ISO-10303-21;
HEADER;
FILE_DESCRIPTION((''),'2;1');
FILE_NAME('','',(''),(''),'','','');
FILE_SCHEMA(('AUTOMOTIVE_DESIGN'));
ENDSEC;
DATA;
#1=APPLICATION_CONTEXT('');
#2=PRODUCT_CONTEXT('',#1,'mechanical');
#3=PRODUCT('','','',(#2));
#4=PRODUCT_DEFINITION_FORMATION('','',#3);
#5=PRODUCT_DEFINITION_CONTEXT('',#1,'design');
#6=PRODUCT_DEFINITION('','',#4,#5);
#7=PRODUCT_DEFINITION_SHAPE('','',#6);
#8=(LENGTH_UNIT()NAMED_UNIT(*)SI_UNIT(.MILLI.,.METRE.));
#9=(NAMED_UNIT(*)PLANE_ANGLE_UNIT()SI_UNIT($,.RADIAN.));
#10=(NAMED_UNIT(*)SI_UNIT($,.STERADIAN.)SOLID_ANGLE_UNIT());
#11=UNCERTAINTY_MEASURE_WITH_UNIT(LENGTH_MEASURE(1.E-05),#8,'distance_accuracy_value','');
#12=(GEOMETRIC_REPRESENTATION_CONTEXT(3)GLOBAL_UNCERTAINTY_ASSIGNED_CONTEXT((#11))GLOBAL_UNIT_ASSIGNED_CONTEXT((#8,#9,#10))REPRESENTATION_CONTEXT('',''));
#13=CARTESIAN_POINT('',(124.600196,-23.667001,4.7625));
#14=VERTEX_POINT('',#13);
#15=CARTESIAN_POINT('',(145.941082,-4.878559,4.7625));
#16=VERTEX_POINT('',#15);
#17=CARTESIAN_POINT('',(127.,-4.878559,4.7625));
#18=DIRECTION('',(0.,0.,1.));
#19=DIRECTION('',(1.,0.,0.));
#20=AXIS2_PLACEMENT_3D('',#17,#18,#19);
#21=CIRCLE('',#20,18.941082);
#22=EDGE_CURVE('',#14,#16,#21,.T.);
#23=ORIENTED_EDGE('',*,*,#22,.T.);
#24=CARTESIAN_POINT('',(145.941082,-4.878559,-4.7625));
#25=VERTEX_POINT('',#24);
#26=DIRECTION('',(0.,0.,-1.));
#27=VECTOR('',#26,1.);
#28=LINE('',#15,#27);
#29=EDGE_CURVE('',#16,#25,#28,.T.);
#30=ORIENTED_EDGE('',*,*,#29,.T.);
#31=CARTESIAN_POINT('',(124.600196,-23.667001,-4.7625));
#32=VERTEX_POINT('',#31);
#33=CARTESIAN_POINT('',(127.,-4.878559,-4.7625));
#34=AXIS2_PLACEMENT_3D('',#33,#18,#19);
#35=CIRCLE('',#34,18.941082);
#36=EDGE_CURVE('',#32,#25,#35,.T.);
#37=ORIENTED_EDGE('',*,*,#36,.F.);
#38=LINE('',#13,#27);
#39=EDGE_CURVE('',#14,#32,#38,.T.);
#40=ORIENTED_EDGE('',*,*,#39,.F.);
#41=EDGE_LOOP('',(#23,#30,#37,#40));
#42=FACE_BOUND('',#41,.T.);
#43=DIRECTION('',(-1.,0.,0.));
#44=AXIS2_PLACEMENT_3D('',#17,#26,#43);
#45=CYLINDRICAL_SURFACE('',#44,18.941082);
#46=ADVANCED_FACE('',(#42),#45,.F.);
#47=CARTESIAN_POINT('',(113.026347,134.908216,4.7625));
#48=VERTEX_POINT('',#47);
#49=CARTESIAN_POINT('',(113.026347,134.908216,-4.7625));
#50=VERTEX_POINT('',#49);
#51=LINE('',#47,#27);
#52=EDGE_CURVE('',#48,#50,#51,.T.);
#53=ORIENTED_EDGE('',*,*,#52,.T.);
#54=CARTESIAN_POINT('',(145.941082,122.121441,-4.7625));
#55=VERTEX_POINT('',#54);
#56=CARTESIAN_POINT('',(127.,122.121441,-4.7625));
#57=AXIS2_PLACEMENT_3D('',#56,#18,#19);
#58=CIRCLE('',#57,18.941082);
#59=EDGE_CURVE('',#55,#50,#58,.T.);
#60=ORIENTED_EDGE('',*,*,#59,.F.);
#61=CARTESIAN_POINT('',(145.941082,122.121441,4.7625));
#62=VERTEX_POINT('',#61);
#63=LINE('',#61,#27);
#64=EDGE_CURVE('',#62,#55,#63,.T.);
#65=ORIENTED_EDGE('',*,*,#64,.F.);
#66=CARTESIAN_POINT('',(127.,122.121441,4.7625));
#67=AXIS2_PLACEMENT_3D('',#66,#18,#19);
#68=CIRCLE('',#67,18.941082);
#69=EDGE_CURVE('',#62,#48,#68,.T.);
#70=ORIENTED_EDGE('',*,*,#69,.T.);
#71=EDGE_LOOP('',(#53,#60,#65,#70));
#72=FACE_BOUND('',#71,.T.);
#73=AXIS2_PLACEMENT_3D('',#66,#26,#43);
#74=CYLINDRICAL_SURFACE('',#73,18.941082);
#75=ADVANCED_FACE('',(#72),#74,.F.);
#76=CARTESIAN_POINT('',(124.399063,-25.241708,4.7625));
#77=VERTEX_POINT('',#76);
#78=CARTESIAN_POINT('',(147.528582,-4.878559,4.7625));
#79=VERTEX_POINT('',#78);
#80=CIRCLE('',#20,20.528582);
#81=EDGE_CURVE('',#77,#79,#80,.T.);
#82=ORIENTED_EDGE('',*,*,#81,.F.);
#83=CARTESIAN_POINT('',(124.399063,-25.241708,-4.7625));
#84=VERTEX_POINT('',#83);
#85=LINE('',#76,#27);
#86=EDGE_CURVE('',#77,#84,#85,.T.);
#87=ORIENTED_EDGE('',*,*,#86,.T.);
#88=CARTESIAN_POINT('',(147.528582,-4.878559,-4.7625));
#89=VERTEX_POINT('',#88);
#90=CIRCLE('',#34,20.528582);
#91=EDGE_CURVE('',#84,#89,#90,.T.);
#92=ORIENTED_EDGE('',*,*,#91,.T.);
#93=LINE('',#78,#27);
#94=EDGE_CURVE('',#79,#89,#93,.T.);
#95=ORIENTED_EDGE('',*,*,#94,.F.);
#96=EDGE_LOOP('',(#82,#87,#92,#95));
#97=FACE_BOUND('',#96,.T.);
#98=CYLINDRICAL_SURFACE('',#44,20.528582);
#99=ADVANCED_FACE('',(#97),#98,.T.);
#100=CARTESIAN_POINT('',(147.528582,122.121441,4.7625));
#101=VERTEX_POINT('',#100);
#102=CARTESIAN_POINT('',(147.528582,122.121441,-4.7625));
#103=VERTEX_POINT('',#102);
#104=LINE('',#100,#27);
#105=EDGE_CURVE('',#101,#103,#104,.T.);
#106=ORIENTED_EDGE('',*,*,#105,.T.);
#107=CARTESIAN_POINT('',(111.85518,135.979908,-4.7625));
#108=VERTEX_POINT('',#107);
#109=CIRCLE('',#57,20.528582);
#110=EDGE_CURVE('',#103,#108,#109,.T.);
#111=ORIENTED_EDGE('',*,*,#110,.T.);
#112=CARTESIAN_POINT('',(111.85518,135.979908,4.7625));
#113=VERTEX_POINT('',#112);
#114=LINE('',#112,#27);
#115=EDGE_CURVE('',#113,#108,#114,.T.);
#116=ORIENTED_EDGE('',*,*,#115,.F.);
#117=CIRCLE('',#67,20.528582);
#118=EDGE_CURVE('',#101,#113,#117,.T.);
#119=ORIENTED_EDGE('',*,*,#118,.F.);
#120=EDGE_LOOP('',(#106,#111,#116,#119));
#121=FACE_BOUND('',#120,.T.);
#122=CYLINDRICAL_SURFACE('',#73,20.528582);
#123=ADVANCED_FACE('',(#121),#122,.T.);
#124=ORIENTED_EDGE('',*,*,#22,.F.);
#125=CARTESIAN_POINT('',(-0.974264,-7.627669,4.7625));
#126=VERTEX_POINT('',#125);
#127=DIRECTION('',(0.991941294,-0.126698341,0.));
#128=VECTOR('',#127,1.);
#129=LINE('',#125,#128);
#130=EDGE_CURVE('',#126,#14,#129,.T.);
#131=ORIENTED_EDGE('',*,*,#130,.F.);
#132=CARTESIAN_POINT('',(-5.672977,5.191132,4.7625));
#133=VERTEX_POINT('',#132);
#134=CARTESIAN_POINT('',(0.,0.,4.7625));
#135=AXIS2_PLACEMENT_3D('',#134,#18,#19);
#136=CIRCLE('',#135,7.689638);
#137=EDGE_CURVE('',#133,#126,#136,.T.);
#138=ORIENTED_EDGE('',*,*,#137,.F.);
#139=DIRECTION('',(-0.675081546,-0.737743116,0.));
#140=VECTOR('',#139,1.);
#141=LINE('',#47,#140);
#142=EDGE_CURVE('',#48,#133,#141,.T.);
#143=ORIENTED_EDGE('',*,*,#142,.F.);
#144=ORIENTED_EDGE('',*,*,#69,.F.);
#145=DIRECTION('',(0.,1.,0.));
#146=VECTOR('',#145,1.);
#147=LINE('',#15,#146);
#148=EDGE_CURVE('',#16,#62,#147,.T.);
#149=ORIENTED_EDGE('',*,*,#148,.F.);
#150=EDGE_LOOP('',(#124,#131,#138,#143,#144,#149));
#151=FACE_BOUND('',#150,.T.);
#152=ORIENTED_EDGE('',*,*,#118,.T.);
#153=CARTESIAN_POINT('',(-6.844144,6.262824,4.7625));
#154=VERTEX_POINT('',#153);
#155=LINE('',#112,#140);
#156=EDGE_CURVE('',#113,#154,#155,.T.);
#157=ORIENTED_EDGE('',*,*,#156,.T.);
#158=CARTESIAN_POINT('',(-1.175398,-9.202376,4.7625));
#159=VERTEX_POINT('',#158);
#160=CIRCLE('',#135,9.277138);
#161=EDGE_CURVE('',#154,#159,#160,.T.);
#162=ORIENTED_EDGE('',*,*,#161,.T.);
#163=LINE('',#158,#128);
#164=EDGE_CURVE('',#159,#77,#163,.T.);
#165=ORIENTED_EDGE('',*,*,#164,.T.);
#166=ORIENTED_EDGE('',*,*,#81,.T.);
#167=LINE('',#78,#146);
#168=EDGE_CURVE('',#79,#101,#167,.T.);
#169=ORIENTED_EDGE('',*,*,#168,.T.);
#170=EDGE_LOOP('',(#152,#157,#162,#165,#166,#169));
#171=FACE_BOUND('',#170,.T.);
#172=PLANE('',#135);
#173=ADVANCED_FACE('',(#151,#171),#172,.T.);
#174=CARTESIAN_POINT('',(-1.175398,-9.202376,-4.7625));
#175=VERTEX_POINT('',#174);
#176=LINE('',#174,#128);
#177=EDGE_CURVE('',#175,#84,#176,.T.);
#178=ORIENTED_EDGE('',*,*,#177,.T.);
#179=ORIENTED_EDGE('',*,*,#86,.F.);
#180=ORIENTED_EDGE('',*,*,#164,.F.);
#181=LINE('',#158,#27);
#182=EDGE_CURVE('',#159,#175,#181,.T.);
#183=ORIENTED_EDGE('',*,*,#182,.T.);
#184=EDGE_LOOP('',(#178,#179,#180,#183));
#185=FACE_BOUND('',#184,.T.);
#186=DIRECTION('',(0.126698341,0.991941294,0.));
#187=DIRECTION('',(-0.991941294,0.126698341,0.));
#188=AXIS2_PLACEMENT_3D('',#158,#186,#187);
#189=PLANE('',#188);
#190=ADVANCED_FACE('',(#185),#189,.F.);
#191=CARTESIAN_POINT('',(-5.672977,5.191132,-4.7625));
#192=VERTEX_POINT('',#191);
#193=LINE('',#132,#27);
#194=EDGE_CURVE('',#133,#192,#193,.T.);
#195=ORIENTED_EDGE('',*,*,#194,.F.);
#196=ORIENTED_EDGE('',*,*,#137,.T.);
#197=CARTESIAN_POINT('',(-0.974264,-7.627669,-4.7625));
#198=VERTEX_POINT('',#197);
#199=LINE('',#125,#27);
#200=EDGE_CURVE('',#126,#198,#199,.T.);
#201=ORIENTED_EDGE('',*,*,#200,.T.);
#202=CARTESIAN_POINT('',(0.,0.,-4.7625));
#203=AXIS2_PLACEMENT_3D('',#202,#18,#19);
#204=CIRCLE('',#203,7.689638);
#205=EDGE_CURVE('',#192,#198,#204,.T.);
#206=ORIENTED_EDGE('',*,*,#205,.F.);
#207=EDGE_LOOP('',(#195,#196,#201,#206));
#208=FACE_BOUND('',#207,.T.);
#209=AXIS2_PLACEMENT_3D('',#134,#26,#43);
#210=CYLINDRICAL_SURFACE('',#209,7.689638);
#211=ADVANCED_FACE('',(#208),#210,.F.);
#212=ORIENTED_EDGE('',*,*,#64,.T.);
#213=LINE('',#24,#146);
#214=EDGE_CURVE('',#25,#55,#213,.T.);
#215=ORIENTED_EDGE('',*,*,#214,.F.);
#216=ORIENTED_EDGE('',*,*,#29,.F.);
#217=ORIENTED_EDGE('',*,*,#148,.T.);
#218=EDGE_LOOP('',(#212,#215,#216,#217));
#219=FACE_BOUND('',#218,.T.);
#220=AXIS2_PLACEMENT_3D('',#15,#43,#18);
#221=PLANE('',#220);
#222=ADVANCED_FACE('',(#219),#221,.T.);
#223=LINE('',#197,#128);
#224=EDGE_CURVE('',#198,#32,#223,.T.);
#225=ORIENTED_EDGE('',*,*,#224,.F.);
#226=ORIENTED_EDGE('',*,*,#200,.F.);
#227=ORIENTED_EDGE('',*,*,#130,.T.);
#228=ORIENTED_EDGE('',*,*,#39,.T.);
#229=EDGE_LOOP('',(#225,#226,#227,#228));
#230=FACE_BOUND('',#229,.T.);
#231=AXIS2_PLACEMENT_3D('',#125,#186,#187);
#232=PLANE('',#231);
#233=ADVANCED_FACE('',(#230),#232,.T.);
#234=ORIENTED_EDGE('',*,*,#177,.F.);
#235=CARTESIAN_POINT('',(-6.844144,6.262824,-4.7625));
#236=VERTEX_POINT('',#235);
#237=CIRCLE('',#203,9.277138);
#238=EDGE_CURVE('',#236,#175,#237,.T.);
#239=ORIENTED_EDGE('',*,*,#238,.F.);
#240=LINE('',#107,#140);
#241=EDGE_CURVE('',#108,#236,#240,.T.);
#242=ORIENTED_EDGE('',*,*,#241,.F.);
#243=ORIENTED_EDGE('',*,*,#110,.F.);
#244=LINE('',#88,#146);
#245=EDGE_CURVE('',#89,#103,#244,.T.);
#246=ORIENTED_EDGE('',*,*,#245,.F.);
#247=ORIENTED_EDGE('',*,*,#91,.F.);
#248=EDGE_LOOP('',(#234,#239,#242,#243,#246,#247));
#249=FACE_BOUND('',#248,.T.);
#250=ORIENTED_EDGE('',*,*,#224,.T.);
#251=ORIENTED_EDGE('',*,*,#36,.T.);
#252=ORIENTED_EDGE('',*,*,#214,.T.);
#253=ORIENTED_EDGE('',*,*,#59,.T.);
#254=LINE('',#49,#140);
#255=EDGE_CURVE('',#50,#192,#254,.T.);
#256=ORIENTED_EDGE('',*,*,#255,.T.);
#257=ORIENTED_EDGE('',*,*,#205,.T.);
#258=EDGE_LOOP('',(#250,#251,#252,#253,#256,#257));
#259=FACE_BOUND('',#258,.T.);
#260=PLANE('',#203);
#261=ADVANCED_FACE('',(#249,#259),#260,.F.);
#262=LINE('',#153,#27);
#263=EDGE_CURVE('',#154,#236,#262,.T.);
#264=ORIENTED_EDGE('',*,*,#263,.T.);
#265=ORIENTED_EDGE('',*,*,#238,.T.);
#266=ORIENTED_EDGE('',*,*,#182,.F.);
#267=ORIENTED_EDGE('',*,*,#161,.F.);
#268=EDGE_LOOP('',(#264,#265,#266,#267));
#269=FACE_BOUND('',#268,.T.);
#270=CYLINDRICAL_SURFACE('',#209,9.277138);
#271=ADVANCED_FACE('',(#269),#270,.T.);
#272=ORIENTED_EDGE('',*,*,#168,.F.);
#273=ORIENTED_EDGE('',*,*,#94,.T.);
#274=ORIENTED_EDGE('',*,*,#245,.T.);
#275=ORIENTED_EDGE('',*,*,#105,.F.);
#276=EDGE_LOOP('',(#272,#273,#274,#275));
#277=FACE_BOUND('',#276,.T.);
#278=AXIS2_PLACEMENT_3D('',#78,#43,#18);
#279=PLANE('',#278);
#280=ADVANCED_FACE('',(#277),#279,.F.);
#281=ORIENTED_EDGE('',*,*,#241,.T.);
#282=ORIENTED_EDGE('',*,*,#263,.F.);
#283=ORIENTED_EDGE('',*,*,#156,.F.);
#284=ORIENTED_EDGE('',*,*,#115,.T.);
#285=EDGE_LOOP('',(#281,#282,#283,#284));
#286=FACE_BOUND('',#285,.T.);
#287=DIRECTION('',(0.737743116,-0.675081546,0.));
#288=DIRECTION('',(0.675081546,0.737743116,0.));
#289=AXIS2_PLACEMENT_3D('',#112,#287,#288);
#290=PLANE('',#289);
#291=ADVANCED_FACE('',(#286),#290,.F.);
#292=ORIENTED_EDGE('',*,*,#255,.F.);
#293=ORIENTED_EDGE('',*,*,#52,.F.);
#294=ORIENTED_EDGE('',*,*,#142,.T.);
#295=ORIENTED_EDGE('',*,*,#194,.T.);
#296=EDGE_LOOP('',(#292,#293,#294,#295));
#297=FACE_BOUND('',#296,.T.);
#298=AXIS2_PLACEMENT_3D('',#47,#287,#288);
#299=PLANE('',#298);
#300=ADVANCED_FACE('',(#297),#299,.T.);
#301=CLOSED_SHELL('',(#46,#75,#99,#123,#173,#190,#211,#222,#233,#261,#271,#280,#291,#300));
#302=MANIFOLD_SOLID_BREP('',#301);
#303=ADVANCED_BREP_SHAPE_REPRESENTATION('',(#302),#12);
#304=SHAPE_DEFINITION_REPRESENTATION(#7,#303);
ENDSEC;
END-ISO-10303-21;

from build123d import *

# Parameters (mm, degrees)
EXTRUDE_THIN1_DEPTH = 4.7625


with BuildPart() as part:
    # Sketch2 → Extrude-Thin1 (new, symmetric)
    with BuildSketch(Plane.XY):
        with BuildLine():
            Line((111.855179593, 135.97990781), (-6.844144428, 6.262824417))
            ThreePointArc((-6.844144428, 6.262824417), (-8.71041734, -3.192790691), (-1.17539795, -9.202375905))
            Line((-1.17539795, -9.202375905), (124.399062652, -25.241708037))
            ThreePointArc((124.399062652, -25.241708037), (140.565197037, -20.286613366), (147.528582468, -4.878559384))
            Line((147.528582468, -4.878559384), (147.528582468, 122.121440616))
            ThreePointArc((147.528582468, 122.121440616), (134.433740763, 141.256805687), (111.855179593, 135.97990781))
        make_face()
        with BuildLine():
            Line((113.02634679, 134.908215855), (-5.672977231, 5.191132462))
            ThreePointArc((-5.672977231, 5.191132462), (-7.219894284, -2.646441653), (-0.974264333, -7.627669101))
            Line((-0.974264333, -7.627669101), (124.600196269, -23.667001233))
            ThreePointArc((124.600196269, -23.667001233), (139.516184017, -19.095089999), (145.941082468, -4.878559384))
            Line((145.941082468, -4.878559384), (145.941082468, 122.121440616))
            ThreePointArc((145.941082468, 122.121440616), (133.858880639, 139.777044866), (113.02634679, 134.908215855))
        make_face(mode=Mode.SUBTRACT)
    extrude(amount=EXTRUDE_THIN1_DEPTH, both=True)


solid = part.part
